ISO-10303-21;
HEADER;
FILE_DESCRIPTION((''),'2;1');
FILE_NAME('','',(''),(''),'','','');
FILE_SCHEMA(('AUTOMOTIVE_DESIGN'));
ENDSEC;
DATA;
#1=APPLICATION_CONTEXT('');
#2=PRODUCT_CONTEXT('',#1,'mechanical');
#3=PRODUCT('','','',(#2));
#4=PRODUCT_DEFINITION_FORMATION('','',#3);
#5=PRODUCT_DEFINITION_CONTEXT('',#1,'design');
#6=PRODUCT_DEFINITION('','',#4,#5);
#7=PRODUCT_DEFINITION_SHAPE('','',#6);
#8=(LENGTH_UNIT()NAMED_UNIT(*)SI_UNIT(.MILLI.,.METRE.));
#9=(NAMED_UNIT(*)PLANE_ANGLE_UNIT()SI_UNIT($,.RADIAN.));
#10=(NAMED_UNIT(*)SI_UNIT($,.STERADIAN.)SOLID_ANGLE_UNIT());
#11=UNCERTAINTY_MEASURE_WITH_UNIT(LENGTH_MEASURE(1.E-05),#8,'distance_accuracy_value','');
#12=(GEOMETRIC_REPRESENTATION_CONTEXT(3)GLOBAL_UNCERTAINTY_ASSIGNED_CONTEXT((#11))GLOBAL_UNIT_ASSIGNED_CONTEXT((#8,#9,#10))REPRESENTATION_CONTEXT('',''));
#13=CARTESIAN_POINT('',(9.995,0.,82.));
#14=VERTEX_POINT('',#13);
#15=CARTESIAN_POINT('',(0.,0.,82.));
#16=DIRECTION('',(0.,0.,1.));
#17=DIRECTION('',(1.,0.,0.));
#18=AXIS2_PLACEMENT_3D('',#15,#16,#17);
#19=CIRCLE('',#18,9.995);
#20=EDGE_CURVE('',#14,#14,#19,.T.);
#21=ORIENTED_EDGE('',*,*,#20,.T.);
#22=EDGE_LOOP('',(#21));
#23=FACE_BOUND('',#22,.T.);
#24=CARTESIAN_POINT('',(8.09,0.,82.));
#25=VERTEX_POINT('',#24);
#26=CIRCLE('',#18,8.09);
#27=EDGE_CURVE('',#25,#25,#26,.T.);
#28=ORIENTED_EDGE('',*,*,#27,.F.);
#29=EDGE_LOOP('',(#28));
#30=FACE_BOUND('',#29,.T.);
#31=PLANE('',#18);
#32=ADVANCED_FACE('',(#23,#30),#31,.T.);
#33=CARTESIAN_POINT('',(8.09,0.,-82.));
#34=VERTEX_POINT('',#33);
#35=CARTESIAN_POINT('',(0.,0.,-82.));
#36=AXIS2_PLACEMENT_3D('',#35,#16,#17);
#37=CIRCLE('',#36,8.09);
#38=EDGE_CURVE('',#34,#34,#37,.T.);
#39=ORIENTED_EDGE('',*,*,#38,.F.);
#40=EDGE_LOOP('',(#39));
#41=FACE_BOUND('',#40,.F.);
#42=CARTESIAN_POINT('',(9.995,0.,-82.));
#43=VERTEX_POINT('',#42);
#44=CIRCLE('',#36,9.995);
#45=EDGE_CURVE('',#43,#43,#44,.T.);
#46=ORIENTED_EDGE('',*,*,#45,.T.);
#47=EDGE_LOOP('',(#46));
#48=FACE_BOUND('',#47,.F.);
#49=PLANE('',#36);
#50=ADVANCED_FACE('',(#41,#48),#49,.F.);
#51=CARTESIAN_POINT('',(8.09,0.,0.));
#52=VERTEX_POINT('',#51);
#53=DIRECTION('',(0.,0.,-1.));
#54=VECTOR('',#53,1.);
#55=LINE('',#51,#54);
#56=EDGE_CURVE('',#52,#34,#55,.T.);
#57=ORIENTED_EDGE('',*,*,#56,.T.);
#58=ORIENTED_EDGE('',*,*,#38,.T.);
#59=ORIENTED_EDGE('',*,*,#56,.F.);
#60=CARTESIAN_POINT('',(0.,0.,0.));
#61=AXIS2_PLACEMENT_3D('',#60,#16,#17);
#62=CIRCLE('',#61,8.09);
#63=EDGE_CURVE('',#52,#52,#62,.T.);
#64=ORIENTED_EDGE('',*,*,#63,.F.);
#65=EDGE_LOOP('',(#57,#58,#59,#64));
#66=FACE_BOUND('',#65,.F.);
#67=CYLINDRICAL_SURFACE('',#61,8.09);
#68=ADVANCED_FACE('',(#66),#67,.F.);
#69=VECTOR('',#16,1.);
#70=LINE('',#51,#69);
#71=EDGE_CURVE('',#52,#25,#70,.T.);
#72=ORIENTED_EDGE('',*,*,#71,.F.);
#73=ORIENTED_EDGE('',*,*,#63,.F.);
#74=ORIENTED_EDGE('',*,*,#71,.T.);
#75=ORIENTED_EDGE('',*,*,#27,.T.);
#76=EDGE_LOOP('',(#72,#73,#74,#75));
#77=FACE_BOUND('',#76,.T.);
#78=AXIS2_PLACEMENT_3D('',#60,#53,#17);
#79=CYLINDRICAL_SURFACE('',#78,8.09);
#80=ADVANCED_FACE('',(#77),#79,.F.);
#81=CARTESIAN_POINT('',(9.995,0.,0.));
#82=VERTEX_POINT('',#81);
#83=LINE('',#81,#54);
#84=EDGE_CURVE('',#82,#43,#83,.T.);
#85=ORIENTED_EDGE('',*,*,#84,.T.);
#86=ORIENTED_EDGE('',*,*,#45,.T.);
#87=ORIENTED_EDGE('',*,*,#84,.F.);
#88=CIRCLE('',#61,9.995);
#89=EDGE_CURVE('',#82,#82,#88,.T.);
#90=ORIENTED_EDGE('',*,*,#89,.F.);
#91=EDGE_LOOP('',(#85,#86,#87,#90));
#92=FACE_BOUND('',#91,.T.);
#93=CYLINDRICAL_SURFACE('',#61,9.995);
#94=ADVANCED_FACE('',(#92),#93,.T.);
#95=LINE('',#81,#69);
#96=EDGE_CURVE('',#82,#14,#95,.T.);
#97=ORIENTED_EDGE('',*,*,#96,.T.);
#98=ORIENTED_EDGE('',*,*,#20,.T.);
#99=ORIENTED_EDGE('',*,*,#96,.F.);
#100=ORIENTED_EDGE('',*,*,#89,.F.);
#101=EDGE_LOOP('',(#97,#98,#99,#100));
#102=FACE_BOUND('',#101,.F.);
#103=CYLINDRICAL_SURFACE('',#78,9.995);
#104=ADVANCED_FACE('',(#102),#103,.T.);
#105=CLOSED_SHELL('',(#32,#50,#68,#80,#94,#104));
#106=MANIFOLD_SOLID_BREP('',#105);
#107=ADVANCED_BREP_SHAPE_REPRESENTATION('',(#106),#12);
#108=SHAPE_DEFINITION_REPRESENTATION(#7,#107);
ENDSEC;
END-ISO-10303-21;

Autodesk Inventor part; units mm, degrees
ref_plane "YZ Plane" through (0, 0, 0) normal (1, 0, 0) x (0, 1, 0)
ref_plane "XZ Plane" through (0, 0, 0) normal (0, 1, 0) x (-1, 0, 0)
ref_plane "XY Plane" through (0, 0, 0) normal (0, 0, 1) x (1, 0, 0)
sketch "Sketch1" plane through (0, 0, 0) normal (0, 0, 1) x (1, 0, 0)
  circle A0 centre (0, 0) radius 9.995
  circle A1 centre (0, 0) radius 8.09
  dimension "d0" = 19.99
  dimension "d1" = 16.18
extrude "Extrusion1" add sketch "Sketch1" along normal mid plane 164
properties part number "Pipe"
